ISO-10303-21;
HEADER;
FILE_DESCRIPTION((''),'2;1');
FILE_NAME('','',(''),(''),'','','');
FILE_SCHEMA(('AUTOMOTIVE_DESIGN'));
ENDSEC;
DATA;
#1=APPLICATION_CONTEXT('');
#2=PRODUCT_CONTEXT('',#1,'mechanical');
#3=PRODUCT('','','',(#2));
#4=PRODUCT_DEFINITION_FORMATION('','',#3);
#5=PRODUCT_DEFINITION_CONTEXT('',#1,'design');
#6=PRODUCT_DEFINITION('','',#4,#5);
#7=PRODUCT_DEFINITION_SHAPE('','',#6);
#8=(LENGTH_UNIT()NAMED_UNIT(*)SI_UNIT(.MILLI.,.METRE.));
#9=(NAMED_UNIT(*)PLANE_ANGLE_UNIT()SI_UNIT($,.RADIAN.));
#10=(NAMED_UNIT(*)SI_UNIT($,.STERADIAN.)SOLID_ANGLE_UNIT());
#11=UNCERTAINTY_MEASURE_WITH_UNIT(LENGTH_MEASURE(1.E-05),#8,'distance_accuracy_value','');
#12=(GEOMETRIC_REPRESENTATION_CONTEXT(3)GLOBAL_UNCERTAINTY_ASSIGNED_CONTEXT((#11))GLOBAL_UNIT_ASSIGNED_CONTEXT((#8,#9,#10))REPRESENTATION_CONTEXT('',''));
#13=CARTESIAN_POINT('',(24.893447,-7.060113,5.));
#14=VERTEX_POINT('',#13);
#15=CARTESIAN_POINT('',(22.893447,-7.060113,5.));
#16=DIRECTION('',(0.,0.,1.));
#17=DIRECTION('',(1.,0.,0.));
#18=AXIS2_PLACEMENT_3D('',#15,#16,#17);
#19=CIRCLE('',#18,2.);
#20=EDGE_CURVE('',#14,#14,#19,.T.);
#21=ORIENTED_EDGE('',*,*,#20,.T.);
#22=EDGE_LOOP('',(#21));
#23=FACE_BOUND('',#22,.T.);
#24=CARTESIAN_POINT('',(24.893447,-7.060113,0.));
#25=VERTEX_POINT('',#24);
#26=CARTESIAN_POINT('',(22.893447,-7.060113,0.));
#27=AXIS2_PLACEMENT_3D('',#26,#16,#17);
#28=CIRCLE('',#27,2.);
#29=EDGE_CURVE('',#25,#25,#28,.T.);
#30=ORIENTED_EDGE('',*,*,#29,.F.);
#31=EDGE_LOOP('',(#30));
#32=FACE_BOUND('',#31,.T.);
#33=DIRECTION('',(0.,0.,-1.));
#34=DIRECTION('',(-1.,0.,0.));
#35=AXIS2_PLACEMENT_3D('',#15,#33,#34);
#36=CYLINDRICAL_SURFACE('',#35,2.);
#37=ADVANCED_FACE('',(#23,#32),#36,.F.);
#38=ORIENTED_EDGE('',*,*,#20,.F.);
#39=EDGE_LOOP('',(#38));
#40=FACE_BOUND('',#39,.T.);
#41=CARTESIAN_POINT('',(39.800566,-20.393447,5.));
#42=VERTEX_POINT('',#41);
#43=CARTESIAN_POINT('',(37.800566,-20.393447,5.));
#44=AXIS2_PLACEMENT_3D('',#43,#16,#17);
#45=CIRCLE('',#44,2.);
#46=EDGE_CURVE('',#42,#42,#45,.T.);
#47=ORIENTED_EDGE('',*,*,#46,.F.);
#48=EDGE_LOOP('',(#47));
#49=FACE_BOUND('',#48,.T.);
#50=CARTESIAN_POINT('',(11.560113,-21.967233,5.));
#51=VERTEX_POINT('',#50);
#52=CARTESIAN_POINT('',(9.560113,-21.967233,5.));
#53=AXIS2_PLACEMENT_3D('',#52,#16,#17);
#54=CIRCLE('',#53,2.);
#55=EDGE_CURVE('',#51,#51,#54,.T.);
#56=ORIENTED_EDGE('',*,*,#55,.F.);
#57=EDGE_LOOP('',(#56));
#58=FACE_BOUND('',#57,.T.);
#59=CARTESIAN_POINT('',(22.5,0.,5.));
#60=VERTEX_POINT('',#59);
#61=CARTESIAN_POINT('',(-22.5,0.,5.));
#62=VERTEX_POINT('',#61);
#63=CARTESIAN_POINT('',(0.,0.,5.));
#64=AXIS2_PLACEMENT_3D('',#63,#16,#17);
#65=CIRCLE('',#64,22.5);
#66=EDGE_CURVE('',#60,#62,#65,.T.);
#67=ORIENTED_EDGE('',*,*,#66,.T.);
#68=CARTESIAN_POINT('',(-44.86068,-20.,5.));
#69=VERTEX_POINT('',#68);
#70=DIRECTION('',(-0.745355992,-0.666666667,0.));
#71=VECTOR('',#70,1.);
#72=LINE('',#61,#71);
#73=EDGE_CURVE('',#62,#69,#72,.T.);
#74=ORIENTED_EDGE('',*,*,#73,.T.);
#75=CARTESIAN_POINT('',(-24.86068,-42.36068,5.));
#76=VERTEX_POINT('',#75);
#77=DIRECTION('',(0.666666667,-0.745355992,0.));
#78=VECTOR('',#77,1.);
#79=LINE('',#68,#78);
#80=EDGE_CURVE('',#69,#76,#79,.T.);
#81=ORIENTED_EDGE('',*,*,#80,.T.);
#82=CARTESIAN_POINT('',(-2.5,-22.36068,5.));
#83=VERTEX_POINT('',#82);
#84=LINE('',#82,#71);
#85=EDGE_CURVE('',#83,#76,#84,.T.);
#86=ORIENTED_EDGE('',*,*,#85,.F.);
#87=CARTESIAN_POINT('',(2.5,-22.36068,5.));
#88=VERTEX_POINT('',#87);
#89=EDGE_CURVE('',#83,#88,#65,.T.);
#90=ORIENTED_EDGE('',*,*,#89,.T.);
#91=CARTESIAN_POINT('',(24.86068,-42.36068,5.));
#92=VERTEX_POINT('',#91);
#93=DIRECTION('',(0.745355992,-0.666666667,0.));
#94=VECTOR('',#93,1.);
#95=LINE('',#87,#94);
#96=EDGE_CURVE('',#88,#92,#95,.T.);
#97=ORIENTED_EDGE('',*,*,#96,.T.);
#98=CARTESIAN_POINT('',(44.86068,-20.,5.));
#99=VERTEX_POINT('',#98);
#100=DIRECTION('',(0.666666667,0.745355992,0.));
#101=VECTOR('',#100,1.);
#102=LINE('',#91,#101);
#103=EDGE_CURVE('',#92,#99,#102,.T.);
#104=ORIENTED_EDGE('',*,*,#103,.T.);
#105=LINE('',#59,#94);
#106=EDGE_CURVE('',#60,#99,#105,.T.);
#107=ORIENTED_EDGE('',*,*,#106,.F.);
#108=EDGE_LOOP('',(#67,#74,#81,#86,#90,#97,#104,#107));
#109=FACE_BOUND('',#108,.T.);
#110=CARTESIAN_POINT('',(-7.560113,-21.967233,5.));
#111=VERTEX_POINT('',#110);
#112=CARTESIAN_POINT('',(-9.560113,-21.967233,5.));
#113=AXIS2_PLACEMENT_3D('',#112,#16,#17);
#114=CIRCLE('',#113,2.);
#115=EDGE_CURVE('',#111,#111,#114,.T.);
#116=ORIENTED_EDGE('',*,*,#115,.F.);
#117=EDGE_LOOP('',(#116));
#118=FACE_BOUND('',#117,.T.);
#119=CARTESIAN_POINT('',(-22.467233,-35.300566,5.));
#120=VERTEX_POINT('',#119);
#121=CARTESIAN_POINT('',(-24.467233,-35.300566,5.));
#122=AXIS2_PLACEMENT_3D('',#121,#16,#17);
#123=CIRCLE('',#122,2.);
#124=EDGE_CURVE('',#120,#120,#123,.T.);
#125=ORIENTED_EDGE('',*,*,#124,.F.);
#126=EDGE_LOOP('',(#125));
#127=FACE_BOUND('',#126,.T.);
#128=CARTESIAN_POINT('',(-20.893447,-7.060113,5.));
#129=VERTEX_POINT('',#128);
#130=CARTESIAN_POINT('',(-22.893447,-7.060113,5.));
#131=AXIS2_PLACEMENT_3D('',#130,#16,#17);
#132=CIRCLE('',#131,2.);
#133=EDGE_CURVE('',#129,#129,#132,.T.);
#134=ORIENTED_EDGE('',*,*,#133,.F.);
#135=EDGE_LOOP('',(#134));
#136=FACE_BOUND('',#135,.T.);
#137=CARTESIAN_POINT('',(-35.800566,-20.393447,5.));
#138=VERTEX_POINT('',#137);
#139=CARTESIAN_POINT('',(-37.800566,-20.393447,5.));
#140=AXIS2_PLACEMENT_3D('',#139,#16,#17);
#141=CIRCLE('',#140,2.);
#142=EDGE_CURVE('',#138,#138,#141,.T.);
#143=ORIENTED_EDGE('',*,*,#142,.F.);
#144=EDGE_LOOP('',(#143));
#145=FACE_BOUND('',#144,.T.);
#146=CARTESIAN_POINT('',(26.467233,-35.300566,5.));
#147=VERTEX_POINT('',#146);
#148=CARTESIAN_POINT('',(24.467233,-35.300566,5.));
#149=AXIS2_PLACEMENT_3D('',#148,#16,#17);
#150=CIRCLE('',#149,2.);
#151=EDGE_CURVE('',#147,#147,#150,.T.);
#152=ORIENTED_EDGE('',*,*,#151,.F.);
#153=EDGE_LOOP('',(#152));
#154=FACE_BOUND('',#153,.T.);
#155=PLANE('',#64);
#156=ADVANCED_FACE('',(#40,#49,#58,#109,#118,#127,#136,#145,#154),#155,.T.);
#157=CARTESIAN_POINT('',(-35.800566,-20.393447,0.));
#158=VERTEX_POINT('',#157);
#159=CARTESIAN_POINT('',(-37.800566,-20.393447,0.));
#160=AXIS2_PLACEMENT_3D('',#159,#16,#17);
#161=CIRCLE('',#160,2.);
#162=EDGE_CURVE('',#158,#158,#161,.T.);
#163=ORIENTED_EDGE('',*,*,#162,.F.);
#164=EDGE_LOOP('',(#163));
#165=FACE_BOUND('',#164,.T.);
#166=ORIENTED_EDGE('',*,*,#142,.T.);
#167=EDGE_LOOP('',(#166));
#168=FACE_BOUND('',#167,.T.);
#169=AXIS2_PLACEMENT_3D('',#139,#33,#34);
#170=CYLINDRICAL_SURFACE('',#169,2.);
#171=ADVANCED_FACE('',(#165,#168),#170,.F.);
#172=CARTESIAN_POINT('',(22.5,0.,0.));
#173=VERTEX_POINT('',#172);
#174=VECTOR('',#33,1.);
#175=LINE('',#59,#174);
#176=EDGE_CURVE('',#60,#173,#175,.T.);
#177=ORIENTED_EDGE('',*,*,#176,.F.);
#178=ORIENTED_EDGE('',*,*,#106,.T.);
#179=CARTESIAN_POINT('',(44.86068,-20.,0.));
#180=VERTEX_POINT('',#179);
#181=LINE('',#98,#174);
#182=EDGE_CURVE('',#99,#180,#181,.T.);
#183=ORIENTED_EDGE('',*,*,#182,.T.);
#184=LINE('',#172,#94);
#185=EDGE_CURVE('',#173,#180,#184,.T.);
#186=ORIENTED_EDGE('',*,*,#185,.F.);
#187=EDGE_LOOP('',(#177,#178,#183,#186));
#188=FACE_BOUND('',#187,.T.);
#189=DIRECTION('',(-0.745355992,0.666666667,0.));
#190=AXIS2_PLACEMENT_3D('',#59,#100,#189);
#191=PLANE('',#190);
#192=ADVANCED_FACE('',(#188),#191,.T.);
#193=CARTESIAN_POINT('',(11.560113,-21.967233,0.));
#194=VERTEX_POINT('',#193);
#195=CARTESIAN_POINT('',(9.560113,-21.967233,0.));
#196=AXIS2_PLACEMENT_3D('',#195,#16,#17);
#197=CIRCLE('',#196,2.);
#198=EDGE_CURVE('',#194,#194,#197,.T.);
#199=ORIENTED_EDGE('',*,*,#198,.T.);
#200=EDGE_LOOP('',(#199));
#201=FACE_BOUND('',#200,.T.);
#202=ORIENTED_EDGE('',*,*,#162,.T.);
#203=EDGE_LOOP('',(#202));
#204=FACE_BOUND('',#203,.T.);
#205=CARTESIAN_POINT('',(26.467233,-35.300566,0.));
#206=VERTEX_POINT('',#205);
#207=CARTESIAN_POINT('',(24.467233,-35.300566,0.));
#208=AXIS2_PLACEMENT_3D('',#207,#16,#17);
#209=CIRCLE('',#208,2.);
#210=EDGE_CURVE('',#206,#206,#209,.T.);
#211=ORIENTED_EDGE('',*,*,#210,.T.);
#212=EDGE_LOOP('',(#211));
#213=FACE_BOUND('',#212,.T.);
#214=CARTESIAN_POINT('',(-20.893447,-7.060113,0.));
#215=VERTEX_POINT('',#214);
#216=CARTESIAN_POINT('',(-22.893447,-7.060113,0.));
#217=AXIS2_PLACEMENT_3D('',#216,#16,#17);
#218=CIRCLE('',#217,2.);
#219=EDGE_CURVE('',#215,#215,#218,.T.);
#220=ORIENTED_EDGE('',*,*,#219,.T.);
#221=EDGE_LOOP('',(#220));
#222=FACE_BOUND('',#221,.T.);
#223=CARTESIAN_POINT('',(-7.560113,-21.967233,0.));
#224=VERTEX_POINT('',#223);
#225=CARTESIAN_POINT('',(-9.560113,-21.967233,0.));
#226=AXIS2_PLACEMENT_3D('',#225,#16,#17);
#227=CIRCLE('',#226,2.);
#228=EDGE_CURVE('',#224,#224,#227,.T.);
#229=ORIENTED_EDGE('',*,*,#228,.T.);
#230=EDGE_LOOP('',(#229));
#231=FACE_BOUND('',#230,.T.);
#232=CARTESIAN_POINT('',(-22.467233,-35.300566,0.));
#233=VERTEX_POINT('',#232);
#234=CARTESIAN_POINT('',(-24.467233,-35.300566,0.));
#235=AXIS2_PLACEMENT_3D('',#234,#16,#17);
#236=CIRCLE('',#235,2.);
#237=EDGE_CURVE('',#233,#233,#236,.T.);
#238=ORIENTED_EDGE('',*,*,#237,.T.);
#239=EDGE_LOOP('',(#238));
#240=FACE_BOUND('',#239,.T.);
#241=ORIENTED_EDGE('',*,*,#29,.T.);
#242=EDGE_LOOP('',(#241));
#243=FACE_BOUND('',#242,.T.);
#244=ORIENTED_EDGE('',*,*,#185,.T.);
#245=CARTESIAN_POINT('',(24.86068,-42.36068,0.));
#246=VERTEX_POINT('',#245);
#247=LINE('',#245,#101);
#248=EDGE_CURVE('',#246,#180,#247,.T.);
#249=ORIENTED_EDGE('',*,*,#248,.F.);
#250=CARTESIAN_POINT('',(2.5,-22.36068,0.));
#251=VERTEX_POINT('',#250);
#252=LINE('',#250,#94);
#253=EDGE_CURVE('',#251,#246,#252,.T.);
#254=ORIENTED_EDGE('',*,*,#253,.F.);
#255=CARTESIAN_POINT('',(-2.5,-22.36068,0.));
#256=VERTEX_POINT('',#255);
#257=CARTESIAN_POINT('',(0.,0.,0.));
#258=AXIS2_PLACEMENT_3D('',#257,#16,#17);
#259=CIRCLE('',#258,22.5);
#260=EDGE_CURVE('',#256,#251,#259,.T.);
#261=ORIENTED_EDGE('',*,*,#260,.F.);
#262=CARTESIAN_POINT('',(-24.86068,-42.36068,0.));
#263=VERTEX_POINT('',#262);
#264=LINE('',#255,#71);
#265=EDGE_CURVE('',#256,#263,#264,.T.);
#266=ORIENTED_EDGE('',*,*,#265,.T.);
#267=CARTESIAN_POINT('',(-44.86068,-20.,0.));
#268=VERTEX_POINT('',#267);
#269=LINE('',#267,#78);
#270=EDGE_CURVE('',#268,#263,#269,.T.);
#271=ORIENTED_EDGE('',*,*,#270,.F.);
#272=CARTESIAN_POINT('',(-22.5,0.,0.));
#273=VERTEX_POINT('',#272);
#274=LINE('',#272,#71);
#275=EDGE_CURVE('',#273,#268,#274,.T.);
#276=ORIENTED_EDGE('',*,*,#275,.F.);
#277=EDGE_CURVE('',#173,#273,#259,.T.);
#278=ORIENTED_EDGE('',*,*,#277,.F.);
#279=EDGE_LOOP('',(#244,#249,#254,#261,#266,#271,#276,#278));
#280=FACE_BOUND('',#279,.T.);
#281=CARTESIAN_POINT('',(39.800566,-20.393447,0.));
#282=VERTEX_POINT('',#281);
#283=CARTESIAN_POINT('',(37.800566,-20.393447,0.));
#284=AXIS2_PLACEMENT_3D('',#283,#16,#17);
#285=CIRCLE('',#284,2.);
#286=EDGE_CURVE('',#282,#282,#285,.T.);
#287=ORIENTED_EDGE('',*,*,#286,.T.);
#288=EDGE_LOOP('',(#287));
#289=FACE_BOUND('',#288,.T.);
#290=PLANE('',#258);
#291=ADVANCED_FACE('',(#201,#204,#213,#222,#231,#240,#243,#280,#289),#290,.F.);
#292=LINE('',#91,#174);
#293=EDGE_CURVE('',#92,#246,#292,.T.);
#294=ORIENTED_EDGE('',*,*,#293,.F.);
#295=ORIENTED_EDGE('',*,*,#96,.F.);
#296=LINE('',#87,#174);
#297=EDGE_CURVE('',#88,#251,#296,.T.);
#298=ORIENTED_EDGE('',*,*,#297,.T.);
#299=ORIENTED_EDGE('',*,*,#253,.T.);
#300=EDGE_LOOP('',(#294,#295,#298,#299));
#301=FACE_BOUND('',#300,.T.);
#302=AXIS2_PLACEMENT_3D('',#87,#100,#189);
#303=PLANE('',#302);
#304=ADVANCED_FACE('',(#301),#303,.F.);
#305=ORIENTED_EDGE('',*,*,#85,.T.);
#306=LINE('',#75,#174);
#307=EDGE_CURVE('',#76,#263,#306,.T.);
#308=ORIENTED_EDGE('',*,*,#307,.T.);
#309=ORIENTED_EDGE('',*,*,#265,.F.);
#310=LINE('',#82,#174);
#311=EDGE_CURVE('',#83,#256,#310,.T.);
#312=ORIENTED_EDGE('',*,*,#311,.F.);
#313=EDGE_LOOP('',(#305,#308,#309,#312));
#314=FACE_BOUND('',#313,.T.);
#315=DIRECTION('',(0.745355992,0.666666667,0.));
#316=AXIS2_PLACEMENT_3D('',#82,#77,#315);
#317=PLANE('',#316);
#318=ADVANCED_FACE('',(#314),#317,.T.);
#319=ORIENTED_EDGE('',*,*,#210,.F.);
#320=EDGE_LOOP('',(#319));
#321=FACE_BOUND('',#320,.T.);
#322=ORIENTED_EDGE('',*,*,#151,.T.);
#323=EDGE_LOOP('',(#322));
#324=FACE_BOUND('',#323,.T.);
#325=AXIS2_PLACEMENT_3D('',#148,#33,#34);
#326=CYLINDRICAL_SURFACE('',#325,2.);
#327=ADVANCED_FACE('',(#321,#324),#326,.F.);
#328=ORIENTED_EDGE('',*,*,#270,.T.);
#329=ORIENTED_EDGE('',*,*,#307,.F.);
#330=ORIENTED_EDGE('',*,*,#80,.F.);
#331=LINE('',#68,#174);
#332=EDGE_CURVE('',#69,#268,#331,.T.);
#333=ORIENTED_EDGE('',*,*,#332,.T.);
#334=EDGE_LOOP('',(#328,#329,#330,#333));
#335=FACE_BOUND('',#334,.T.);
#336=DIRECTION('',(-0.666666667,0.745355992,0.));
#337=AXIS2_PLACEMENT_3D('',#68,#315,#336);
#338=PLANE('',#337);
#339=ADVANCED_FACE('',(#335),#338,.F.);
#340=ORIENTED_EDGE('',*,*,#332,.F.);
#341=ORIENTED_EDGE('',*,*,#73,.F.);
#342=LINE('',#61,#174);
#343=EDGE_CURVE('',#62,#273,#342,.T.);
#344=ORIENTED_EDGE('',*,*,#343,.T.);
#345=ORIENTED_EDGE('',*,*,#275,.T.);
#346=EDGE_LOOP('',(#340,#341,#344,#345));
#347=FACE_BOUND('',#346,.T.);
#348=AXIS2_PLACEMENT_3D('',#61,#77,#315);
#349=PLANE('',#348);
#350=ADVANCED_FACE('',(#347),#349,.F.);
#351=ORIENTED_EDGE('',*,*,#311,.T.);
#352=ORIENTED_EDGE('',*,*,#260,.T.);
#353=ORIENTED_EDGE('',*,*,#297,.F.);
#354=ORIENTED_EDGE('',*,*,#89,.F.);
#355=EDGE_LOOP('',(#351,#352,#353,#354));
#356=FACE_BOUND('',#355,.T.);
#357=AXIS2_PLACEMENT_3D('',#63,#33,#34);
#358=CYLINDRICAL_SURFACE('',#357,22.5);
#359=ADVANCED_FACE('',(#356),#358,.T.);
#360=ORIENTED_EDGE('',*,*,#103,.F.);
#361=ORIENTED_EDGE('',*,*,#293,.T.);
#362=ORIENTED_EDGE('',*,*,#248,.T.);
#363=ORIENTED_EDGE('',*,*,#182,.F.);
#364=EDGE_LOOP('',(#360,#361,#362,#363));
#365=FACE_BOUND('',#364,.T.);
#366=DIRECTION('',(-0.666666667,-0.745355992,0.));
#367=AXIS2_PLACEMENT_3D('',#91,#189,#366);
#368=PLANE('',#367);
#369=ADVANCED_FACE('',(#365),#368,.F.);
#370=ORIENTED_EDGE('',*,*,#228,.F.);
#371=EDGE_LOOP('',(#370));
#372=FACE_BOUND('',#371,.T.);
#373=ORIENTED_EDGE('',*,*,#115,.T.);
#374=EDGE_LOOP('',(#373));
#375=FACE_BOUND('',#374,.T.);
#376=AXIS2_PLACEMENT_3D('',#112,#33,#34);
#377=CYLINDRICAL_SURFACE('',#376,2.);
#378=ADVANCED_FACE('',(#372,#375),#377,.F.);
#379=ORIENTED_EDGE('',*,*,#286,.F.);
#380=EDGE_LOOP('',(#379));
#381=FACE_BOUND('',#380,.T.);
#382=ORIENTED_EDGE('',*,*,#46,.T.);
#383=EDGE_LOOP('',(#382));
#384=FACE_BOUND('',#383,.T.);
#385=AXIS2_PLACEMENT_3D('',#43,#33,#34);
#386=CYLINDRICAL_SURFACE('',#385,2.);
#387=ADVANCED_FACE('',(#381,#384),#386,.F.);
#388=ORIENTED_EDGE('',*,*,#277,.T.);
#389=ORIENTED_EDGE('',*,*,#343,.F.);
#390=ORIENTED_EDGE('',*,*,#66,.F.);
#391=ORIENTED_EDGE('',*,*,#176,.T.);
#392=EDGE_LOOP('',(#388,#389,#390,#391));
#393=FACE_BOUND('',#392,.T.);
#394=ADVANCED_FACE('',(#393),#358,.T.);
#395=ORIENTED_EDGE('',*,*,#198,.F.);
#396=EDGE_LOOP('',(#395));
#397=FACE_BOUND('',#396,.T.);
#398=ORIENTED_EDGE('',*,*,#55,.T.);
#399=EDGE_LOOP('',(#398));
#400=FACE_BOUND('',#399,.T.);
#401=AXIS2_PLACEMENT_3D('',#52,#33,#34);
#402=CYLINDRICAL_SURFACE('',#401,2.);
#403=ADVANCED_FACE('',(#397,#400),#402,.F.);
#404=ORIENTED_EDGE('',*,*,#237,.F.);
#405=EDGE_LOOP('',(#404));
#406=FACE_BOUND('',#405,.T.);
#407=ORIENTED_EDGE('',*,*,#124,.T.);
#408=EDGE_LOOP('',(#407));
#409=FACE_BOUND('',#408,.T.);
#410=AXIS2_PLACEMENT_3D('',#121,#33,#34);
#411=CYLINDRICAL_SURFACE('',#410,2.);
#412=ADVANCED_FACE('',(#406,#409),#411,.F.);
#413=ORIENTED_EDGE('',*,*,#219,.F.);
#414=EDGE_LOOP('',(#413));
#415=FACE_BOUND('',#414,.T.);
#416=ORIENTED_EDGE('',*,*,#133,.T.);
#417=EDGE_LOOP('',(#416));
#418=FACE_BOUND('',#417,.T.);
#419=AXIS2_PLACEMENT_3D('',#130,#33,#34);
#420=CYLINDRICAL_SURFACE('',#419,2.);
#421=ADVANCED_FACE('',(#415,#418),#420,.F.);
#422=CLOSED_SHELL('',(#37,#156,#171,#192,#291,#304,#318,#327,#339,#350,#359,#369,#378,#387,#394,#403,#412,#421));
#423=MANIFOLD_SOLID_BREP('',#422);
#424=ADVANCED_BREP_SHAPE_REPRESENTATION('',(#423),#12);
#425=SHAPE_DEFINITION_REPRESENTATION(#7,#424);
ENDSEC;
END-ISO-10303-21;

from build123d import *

# Parameters (mm, degrees)
SKETCH2_R           = 22.5
BOSS_EXTRUDE1_DEPTH = 5
SKETCH3_R           = 2
CUT_EXTRUDE1_DEPTH  = 5


with BuildPart() as part:
    # Sketch2 → Boss-Extrude1 (new body)
    with BuildSketch(Plane.XY):
        Circle(SKETCH2_R)
        Polygon((-22.5, 0), (-2.5, -22.360679775), (-24.860679775, -42.360679775), (-44.860679775, -20), align=None)
        Polygon((2.5, -22.360679775), (22.5, 0), (44.860679775, -20), (24.860679775, -42.360679775), align=None)
    extrude(amount=BOSS_EXTRUDE1_DEPTH)

    # Sketch3 → Cut-Extrude1 (cut)
    with BuildSketch(Plane(origin=(0, 0, 0), x_dir=(-1, 0, 0), z_dir=(0, 0, -1))):
        with Locations(Location((-37.800566479, -20.393446629, 0), (0, 0, 180))):
            Circle(SKETCH3_R)
        with Locations(Location((-22.893446629, -7.060113296, 0), (0, 0, 180))):
            Circle(SKETCH3_R)
        with Locations(Location((-9.560113296, -21.967233146, 0), (0, 0, 180))):
            Circle(SKETCH3_R)
        with Locations(Location((-24.467233146, -35.300566479, 0), (0, 0, 180))):
            Circle(SKETCH3_R)
        with Locations(Location((24.467233146, -35.300566479, 0), (0, 0, 180))):
            Circle(SKETCH3_R)
        with Locations(Location((37.800566479, -20.393446629, 0), (0, 0, 180))):
            Circle(SKETCH3_R)
        with Locations(Location((9.560113296, -21.967233146, 0), (0, 0, 180))):
            Circle(SKETCH3_R)
        with Locations(Location((22.893446629, -7.060113296, 0), (0, 0, 180))):
            Circle(SKETCH3_R)
    extrude(amount=-CUT_EXTRUDE1_DEPTH, mode=Mode.SUBTRACT)


solid = part.part
